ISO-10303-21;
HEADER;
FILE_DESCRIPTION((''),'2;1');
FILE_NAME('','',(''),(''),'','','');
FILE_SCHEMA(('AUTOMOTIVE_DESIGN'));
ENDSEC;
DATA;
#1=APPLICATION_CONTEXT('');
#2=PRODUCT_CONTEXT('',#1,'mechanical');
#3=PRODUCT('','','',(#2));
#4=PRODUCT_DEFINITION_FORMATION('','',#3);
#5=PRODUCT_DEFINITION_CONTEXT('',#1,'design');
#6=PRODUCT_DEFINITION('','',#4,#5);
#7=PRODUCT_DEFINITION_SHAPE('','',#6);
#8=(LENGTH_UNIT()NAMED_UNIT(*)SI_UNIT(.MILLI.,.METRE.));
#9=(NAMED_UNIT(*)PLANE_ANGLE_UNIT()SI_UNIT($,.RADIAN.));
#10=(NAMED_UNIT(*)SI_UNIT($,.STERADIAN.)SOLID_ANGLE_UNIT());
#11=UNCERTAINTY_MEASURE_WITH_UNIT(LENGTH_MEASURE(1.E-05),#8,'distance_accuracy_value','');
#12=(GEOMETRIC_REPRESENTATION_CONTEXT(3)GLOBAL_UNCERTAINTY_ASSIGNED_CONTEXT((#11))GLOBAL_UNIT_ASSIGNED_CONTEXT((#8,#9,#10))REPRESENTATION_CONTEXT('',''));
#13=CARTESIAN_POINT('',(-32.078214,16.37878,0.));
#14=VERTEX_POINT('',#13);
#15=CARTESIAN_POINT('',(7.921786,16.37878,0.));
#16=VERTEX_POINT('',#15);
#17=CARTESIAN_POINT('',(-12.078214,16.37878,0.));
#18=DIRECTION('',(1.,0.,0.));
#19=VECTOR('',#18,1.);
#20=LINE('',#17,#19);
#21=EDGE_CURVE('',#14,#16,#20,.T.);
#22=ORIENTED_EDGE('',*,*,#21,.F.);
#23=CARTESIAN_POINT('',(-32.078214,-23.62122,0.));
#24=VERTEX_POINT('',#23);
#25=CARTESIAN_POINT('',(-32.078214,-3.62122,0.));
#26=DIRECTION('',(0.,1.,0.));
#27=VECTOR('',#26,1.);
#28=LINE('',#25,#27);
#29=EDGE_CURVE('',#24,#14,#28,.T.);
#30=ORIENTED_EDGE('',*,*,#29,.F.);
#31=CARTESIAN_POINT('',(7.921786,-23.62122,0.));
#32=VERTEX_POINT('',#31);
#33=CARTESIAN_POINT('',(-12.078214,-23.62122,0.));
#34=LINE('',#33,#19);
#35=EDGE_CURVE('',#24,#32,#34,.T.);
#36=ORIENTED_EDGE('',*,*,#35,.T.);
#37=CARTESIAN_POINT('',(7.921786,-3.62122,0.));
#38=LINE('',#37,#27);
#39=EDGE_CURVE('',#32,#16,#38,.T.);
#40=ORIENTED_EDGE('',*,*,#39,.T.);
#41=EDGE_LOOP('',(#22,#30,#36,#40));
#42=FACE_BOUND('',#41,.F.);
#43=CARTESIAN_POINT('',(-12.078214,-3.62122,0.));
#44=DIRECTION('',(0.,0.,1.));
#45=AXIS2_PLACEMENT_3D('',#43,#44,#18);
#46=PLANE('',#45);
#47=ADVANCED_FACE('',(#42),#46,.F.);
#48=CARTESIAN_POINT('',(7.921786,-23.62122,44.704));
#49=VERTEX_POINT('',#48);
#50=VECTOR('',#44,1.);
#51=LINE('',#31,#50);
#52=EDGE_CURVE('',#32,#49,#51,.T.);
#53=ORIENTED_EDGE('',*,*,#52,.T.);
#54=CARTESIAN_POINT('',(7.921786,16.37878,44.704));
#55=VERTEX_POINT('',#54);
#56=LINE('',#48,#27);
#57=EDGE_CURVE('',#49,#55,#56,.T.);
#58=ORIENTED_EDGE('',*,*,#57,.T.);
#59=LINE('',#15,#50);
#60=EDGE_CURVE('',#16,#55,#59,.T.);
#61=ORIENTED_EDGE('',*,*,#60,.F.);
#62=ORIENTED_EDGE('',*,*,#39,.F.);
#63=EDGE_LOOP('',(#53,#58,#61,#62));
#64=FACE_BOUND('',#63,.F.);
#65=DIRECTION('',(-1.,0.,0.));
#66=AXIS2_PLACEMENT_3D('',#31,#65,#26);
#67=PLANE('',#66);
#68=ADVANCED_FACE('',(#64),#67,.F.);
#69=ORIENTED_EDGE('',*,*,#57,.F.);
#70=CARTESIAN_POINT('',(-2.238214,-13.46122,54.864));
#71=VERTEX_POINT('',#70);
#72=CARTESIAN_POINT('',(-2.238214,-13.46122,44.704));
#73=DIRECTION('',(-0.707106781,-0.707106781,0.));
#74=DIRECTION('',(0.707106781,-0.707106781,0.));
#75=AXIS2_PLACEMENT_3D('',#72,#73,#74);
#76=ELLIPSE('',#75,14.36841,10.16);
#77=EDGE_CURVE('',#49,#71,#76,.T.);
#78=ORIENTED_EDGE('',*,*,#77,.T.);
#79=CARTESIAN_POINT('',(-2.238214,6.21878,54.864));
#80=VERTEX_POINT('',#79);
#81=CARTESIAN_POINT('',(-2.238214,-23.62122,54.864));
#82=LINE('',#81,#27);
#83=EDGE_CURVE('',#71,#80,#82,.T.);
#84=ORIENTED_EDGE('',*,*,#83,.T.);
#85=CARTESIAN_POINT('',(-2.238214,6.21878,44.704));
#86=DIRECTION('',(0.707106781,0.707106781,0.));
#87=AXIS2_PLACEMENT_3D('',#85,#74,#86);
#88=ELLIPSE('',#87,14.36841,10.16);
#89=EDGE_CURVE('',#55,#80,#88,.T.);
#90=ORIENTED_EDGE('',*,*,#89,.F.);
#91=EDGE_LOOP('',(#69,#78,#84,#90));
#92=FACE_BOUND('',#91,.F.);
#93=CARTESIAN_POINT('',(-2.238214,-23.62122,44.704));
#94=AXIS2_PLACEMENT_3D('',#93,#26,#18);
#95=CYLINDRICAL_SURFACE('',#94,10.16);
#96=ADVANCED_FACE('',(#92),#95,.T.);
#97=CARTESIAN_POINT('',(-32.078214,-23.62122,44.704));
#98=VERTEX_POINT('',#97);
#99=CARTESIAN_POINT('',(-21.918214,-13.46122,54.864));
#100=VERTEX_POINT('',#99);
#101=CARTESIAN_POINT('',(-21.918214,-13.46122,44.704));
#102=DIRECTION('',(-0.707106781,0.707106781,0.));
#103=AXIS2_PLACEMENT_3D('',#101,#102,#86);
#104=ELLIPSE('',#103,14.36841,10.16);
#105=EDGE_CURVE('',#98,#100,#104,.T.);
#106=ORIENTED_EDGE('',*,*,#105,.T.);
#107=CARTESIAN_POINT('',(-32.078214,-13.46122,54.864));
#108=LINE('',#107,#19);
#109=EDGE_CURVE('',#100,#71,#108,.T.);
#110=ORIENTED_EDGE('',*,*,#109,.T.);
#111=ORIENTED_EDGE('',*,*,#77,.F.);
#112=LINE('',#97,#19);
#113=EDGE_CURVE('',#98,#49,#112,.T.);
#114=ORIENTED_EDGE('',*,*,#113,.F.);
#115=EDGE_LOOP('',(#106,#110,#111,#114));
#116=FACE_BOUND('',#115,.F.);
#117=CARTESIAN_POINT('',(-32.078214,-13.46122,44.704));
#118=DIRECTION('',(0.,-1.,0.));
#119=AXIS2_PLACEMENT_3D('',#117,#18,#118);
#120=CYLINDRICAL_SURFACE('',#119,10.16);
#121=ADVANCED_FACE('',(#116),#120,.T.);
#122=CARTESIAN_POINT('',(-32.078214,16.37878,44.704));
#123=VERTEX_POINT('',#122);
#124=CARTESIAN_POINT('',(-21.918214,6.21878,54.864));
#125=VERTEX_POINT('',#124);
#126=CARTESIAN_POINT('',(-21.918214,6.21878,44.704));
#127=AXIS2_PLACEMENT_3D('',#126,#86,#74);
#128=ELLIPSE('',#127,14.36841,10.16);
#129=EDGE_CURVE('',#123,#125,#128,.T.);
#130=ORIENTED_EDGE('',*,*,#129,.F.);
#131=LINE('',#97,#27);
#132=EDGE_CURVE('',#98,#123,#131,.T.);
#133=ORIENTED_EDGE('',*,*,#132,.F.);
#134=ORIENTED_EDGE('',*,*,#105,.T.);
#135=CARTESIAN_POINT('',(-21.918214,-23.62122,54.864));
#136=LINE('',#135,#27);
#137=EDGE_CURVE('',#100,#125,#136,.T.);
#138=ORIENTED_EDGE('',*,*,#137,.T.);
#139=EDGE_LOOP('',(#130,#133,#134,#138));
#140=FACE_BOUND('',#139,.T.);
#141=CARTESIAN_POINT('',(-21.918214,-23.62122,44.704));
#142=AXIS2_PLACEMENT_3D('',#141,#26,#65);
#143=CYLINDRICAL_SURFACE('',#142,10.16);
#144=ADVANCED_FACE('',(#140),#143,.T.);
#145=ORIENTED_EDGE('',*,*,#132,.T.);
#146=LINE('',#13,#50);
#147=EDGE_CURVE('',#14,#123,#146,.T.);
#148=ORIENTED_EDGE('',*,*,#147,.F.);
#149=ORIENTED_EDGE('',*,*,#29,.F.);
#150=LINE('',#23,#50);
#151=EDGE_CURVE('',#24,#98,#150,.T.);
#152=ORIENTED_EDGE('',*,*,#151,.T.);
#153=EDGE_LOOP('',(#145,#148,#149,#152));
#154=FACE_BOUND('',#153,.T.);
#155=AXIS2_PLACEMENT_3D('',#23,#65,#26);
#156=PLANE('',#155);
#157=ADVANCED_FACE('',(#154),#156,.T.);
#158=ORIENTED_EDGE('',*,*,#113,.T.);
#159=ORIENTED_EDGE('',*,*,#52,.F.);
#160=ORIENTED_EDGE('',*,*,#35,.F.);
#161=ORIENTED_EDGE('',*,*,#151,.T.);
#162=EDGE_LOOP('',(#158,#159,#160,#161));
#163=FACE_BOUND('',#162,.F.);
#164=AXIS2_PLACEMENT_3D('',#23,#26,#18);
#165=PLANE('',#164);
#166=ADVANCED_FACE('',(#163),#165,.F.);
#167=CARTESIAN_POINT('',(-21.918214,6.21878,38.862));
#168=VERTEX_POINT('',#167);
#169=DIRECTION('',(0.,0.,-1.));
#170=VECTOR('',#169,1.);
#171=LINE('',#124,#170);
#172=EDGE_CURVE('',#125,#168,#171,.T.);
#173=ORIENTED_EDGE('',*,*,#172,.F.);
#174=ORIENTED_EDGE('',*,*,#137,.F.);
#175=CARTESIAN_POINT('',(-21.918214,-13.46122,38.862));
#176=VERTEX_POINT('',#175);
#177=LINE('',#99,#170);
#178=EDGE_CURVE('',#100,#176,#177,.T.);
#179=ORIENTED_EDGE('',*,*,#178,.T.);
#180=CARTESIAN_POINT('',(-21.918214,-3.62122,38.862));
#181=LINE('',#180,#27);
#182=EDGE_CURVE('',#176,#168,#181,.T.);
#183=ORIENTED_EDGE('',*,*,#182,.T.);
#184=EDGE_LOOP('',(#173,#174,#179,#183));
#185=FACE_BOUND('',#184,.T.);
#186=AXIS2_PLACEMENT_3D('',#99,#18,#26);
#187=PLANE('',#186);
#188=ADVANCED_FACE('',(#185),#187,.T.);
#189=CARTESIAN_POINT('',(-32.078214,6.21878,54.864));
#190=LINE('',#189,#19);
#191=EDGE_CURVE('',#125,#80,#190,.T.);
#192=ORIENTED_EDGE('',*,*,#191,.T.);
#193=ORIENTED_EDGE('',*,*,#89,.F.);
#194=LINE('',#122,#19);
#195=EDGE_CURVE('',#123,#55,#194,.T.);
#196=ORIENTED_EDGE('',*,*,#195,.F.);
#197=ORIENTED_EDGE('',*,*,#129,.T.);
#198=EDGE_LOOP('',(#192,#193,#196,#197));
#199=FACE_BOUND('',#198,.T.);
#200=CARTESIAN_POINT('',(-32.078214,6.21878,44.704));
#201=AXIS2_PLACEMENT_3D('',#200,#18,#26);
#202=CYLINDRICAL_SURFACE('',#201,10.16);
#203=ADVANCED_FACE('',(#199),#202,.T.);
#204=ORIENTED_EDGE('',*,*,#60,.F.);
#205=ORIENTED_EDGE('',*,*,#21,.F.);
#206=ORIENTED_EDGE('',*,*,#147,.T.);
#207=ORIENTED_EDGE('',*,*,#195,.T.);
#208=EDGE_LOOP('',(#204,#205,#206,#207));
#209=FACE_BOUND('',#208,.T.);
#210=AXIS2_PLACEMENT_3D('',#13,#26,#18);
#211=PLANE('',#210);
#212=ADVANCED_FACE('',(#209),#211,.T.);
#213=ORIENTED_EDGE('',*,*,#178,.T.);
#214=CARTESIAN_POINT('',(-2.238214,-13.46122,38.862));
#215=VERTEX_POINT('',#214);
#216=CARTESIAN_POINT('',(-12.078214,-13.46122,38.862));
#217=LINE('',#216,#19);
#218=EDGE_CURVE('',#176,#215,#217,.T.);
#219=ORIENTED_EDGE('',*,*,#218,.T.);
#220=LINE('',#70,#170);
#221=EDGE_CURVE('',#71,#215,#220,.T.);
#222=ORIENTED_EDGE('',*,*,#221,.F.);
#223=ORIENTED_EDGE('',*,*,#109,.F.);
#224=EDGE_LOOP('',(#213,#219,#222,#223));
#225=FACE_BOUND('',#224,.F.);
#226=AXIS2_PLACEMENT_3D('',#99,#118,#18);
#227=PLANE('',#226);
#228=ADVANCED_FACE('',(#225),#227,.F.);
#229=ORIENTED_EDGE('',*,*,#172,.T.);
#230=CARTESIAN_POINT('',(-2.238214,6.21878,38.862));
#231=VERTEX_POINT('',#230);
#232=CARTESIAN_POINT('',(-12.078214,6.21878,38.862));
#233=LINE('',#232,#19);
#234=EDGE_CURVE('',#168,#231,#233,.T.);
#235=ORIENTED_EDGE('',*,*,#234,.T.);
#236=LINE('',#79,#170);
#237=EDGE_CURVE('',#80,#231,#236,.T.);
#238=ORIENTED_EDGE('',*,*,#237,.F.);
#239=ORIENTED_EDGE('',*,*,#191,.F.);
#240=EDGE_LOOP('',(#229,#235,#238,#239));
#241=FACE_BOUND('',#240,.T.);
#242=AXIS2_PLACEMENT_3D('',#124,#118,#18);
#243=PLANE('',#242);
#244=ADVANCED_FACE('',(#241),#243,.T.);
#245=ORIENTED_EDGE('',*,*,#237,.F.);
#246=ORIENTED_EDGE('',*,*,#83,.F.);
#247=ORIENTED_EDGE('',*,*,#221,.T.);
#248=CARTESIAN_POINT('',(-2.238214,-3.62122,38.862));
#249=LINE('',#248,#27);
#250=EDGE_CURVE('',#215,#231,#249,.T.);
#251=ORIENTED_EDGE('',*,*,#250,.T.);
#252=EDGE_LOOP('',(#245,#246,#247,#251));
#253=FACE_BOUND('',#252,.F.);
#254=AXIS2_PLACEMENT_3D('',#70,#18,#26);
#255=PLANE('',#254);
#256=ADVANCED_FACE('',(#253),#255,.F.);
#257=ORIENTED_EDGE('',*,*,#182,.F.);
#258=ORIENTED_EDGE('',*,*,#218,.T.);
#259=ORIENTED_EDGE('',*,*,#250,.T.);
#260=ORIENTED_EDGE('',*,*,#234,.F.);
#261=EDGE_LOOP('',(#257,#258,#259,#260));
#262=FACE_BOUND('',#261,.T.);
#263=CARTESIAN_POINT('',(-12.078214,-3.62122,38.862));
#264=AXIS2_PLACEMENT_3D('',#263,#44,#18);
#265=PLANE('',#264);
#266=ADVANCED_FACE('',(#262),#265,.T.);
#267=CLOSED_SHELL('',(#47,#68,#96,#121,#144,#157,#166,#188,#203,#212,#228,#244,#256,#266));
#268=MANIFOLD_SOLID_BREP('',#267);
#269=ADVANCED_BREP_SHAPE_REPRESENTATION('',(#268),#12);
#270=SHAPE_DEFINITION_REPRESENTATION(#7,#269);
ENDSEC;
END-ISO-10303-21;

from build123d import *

# Parameters (mm, degrees)
F0_W      = 40
F0_H      = 40
F1_DEPTH  = 54.864
F2_R      = 10.16
F1_FACE_W = 19.68
F1_FACE_H = 19.68
F3_DEPTH  = 16.002


with BuildPart() as f1:
    # F0 (on Top) → F1 (new body)
    with BuildSketch(Plane.XY):
        with Locations((-12.078214, -3.62122)):
            Rectangle(F0_W, F0_H)
    extrude(amount=F1_DEPTH)

    # F2
    f2_edges = [f1.edges().sort_by_distance(p)[0] for p in [
        (-12.078214, -23.62122, 54.864),
        (7.921786, -3.62122, 54.864),
        (-12.078214, 16.37878, 54.864),
        (-32.078214, -3.62122, 54.864),
    ]]
    fillet(f2_edges, radius=F2_R)

    # F1_face (on face) → F3 (cut)
    with BuildSketch(Plane(origin=(-12.078214, -3.62122, 54.864), x_dir=(1, 0, 0), z_dir=(0, 0, 1))):
        Rectangle(F1_FACE_W, F1_FACE_H)
    extrude(amount=-F3_DEPTH, mode=Mode.SUBTRACT)


solid = f1.part
